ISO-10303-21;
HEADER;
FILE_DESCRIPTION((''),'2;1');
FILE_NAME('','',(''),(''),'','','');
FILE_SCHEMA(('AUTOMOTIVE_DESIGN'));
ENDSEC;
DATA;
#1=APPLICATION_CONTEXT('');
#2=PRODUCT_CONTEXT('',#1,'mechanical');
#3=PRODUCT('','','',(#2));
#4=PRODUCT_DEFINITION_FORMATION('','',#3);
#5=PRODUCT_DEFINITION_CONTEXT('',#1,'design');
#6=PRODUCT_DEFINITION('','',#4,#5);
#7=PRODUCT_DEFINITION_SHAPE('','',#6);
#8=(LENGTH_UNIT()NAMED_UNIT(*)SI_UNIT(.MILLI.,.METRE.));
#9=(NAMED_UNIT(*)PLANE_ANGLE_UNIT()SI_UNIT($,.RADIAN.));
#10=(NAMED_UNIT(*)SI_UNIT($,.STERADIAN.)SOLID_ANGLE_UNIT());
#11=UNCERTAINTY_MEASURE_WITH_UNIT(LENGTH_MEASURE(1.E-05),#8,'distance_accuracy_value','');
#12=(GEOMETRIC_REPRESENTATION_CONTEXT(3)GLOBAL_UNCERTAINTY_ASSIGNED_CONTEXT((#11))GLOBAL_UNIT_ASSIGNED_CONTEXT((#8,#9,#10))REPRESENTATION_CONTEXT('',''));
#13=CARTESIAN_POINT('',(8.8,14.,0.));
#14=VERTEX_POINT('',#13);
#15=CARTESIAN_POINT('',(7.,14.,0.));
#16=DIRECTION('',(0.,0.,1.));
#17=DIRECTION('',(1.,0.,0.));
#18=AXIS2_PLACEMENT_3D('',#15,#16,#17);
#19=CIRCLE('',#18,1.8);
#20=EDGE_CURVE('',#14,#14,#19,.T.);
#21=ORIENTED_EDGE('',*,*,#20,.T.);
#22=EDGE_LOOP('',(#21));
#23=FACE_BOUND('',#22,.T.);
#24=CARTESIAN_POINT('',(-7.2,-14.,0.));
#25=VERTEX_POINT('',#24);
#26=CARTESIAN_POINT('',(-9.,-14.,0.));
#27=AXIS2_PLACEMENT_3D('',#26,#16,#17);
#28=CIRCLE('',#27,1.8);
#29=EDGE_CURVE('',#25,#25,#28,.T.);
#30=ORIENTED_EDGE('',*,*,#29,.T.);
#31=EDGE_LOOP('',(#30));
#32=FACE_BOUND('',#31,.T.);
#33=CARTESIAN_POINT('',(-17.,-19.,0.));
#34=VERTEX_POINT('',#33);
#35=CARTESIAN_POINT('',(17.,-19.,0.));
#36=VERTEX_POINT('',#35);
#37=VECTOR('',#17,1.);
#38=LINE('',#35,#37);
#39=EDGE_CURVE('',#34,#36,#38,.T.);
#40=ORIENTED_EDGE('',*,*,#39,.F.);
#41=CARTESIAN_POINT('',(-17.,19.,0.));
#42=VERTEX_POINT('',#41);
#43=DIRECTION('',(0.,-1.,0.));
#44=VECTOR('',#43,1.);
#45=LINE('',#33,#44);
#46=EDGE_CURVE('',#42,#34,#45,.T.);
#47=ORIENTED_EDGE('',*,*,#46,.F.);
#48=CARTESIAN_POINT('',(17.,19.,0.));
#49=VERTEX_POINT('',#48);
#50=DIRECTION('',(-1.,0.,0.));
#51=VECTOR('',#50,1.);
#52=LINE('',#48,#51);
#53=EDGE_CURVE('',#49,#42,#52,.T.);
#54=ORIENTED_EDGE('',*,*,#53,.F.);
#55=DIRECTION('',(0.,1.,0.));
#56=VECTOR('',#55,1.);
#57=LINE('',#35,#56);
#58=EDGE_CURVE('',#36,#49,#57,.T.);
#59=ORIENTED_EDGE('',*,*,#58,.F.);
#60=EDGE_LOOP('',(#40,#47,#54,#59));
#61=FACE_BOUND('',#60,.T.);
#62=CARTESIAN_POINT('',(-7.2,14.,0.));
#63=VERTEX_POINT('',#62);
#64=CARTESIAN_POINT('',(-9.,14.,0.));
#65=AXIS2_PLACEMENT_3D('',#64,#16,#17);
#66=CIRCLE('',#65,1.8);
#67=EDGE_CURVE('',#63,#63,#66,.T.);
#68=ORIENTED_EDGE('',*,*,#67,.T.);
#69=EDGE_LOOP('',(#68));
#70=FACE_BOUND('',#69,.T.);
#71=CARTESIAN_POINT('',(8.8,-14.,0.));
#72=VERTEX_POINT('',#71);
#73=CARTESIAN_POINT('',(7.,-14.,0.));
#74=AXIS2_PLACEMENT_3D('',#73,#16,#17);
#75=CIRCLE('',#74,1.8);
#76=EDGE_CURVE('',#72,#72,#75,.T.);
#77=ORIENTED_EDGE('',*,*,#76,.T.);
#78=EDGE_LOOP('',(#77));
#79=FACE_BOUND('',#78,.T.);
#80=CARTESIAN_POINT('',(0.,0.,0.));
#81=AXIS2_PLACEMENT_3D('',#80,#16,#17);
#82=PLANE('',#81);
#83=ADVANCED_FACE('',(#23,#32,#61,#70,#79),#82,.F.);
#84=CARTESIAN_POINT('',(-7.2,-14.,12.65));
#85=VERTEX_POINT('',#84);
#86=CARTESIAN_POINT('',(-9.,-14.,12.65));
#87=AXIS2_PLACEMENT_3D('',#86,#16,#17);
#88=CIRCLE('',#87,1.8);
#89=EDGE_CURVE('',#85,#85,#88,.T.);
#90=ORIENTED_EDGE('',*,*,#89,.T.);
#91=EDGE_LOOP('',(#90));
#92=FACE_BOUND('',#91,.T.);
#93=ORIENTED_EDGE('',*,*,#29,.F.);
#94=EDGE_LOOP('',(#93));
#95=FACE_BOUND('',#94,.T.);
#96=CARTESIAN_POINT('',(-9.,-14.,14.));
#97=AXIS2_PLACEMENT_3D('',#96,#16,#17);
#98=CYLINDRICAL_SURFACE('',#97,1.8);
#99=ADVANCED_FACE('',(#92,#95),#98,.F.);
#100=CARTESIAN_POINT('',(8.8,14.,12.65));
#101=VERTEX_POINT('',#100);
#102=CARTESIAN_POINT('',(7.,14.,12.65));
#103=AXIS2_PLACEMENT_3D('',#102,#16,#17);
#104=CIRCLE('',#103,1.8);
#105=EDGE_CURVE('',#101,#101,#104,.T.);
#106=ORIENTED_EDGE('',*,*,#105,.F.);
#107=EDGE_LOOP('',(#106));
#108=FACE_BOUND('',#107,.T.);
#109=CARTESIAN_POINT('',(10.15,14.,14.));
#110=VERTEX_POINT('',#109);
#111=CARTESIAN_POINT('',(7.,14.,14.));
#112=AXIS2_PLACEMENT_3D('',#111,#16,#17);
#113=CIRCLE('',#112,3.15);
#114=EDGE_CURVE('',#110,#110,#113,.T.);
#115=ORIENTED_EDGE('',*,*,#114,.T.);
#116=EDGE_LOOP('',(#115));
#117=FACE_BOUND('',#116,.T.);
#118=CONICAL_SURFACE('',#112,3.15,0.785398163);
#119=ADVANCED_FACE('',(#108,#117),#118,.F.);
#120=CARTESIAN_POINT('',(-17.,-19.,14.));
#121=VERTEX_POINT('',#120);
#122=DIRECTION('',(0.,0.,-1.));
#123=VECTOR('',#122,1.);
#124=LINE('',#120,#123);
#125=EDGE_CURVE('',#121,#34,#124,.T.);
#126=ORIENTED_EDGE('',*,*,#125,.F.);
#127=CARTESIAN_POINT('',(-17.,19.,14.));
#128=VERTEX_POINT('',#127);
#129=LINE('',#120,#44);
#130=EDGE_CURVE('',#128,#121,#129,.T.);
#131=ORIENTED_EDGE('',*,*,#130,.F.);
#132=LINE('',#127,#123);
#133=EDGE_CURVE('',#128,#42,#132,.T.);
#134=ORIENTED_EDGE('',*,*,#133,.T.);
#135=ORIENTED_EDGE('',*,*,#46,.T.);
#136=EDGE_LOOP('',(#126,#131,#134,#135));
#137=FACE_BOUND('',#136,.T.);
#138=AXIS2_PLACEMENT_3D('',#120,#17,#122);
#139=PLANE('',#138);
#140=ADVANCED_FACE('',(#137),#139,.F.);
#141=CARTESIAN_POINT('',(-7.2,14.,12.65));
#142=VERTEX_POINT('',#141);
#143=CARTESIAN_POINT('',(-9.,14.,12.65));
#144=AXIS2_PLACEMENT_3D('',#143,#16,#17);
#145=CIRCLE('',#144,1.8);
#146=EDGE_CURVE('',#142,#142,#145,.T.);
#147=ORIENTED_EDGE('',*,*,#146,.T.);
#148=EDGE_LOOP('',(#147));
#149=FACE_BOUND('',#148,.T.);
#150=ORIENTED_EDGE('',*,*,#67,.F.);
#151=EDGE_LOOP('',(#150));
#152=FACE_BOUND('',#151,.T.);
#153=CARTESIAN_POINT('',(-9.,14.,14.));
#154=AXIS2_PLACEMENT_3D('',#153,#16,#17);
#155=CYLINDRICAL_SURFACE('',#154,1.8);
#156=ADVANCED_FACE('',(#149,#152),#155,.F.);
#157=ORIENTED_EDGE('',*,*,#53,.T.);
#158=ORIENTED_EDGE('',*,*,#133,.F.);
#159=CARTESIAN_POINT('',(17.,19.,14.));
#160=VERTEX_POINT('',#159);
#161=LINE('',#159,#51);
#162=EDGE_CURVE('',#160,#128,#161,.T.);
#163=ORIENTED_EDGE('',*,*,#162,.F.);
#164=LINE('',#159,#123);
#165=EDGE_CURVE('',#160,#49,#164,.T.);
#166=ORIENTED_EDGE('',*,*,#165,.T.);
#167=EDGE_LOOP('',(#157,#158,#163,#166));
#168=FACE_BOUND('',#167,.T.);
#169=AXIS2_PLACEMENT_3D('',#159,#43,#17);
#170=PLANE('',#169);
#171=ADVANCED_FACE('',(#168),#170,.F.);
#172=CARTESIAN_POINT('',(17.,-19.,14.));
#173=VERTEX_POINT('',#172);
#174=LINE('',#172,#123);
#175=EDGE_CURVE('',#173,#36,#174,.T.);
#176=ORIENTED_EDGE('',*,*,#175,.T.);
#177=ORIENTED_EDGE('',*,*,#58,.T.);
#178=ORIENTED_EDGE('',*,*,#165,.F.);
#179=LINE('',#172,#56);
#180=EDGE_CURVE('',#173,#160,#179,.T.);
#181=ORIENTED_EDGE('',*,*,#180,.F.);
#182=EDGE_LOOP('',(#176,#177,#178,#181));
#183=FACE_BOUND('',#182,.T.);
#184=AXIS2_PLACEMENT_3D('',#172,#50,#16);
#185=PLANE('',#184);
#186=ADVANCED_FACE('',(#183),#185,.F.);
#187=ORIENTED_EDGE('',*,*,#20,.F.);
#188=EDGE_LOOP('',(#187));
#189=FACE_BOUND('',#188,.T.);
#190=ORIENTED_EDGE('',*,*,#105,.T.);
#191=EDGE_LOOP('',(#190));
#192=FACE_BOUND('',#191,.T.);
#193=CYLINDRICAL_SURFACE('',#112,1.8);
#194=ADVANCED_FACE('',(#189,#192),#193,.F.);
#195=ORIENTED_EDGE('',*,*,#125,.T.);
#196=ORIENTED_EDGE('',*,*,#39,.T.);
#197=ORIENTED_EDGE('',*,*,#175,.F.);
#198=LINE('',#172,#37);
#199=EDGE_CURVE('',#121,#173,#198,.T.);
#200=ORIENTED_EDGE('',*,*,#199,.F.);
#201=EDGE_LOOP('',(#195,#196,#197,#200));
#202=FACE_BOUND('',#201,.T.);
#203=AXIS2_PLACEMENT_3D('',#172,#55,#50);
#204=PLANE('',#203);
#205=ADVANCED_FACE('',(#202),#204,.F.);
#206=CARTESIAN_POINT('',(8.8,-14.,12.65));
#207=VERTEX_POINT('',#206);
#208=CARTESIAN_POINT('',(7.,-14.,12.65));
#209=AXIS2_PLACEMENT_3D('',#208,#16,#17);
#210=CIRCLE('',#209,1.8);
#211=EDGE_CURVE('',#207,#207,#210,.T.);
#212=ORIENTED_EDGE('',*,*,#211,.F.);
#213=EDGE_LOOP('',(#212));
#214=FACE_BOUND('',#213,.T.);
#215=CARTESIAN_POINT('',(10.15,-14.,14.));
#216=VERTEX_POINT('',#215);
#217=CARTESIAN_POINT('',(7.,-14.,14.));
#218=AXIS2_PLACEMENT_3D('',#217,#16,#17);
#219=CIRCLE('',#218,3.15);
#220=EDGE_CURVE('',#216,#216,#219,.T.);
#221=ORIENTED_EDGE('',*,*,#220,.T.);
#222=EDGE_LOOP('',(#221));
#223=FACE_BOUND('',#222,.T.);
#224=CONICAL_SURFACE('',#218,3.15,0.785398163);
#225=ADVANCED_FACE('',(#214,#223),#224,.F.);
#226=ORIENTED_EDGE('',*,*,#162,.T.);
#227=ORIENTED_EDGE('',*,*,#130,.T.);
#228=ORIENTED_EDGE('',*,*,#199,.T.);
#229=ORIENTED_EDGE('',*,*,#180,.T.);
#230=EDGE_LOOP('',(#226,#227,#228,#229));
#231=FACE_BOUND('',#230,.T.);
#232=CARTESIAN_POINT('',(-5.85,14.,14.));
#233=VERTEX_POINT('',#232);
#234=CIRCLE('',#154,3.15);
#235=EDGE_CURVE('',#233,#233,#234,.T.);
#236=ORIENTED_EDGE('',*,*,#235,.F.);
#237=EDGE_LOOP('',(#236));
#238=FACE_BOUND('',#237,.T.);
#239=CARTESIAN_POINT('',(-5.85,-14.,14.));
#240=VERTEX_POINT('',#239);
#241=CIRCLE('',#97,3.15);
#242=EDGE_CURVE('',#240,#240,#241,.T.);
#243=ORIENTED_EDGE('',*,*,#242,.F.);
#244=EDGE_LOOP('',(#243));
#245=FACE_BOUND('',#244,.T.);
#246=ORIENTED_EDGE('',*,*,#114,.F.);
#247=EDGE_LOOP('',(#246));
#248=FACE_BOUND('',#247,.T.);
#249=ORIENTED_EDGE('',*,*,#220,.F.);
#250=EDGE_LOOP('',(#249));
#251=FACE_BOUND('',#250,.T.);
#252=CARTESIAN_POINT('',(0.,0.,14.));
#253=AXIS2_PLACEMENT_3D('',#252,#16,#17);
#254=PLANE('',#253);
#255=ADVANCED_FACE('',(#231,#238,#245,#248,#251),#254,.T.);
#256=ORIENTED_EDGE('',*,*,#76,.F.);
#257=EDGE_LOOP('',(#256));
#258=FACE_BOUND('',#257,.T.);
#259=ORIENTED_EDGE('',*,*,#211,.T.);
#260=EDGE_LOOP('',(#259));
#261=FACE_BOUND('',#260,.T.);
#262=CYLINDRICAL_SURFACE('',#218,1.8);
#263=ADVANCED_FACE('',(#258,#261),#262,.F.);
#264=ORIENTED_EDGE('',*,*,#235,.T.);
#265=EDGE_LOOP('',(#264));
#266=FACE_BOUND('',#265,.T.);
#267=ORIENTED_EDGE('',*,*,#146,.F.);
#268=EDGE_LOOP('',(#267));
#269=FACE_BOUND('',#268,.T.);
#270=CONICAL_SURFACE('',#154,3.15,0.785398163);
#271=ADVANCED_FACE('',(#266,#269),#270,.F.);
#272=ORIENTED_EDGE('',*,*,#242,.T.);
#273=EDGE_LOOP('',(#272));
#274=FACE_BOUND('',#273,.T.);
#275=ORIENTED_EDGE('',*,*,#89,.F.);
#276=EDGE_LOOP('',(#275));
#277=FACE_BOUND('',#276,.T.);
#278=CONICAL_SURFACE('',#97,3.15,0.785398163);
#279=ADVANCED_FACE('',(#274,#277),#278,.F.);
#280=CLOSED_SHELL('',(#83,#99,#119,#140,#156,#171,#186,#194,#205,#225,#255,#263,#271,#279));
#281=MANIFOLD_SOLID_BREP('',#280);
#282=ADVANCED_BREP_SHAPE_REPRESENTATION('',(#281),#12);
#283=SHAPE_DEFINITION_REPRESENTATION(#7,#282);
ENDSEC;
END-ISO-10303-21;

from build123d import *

# Parameters (mm, degrees)
SKETCH1_W                                       = 34
SKETCH1_H                                       = 38
BOSS_EXTRUDE1_DEPTH                             = 14
CSK_FOR_M3_FLAT_HEAD_MACHINE_SCREW1_D           = 3.6
CSK_FOR_M3_FLAT_HEAD_MACHINE_SCREW1_CSINK_D     = 6.3
CSK_FOR_M3_FLAT_HEAD_MACHINE_SCREW1_CSINK_ANGLE = 90


with BuildPart() as part:
    # Sketch1 → Boss-Extrude1 (new body)
    with BuildSketch(Plane.XY):
        Rectangle(SKETCH1_W, SKETCH1_H)
    extrude(amount=BOSS_EXTRUDE1_DEPTH)

    # CSK for M3 Flat Head Machine Screw1 (through all)
    with Locations(Plane.XY.offset(14)):
        with Locations((-9, 14), (-9, -14), (7, -14), (7, 14)):
            CounterSinkHole(CSK_FOR_M3_FLAT_HEAD_MACHINE_SCREW1_D / 2, CSK_FOR_M3_FLAT_HEAD_MACHINE_SCREW1_CSINK_D / 2, counter_sink_angle=CSK_FOR_M3_FLAT_HEAD_MACHINE_SCREW1_CSINK_ANGLE)


solid = part.part
